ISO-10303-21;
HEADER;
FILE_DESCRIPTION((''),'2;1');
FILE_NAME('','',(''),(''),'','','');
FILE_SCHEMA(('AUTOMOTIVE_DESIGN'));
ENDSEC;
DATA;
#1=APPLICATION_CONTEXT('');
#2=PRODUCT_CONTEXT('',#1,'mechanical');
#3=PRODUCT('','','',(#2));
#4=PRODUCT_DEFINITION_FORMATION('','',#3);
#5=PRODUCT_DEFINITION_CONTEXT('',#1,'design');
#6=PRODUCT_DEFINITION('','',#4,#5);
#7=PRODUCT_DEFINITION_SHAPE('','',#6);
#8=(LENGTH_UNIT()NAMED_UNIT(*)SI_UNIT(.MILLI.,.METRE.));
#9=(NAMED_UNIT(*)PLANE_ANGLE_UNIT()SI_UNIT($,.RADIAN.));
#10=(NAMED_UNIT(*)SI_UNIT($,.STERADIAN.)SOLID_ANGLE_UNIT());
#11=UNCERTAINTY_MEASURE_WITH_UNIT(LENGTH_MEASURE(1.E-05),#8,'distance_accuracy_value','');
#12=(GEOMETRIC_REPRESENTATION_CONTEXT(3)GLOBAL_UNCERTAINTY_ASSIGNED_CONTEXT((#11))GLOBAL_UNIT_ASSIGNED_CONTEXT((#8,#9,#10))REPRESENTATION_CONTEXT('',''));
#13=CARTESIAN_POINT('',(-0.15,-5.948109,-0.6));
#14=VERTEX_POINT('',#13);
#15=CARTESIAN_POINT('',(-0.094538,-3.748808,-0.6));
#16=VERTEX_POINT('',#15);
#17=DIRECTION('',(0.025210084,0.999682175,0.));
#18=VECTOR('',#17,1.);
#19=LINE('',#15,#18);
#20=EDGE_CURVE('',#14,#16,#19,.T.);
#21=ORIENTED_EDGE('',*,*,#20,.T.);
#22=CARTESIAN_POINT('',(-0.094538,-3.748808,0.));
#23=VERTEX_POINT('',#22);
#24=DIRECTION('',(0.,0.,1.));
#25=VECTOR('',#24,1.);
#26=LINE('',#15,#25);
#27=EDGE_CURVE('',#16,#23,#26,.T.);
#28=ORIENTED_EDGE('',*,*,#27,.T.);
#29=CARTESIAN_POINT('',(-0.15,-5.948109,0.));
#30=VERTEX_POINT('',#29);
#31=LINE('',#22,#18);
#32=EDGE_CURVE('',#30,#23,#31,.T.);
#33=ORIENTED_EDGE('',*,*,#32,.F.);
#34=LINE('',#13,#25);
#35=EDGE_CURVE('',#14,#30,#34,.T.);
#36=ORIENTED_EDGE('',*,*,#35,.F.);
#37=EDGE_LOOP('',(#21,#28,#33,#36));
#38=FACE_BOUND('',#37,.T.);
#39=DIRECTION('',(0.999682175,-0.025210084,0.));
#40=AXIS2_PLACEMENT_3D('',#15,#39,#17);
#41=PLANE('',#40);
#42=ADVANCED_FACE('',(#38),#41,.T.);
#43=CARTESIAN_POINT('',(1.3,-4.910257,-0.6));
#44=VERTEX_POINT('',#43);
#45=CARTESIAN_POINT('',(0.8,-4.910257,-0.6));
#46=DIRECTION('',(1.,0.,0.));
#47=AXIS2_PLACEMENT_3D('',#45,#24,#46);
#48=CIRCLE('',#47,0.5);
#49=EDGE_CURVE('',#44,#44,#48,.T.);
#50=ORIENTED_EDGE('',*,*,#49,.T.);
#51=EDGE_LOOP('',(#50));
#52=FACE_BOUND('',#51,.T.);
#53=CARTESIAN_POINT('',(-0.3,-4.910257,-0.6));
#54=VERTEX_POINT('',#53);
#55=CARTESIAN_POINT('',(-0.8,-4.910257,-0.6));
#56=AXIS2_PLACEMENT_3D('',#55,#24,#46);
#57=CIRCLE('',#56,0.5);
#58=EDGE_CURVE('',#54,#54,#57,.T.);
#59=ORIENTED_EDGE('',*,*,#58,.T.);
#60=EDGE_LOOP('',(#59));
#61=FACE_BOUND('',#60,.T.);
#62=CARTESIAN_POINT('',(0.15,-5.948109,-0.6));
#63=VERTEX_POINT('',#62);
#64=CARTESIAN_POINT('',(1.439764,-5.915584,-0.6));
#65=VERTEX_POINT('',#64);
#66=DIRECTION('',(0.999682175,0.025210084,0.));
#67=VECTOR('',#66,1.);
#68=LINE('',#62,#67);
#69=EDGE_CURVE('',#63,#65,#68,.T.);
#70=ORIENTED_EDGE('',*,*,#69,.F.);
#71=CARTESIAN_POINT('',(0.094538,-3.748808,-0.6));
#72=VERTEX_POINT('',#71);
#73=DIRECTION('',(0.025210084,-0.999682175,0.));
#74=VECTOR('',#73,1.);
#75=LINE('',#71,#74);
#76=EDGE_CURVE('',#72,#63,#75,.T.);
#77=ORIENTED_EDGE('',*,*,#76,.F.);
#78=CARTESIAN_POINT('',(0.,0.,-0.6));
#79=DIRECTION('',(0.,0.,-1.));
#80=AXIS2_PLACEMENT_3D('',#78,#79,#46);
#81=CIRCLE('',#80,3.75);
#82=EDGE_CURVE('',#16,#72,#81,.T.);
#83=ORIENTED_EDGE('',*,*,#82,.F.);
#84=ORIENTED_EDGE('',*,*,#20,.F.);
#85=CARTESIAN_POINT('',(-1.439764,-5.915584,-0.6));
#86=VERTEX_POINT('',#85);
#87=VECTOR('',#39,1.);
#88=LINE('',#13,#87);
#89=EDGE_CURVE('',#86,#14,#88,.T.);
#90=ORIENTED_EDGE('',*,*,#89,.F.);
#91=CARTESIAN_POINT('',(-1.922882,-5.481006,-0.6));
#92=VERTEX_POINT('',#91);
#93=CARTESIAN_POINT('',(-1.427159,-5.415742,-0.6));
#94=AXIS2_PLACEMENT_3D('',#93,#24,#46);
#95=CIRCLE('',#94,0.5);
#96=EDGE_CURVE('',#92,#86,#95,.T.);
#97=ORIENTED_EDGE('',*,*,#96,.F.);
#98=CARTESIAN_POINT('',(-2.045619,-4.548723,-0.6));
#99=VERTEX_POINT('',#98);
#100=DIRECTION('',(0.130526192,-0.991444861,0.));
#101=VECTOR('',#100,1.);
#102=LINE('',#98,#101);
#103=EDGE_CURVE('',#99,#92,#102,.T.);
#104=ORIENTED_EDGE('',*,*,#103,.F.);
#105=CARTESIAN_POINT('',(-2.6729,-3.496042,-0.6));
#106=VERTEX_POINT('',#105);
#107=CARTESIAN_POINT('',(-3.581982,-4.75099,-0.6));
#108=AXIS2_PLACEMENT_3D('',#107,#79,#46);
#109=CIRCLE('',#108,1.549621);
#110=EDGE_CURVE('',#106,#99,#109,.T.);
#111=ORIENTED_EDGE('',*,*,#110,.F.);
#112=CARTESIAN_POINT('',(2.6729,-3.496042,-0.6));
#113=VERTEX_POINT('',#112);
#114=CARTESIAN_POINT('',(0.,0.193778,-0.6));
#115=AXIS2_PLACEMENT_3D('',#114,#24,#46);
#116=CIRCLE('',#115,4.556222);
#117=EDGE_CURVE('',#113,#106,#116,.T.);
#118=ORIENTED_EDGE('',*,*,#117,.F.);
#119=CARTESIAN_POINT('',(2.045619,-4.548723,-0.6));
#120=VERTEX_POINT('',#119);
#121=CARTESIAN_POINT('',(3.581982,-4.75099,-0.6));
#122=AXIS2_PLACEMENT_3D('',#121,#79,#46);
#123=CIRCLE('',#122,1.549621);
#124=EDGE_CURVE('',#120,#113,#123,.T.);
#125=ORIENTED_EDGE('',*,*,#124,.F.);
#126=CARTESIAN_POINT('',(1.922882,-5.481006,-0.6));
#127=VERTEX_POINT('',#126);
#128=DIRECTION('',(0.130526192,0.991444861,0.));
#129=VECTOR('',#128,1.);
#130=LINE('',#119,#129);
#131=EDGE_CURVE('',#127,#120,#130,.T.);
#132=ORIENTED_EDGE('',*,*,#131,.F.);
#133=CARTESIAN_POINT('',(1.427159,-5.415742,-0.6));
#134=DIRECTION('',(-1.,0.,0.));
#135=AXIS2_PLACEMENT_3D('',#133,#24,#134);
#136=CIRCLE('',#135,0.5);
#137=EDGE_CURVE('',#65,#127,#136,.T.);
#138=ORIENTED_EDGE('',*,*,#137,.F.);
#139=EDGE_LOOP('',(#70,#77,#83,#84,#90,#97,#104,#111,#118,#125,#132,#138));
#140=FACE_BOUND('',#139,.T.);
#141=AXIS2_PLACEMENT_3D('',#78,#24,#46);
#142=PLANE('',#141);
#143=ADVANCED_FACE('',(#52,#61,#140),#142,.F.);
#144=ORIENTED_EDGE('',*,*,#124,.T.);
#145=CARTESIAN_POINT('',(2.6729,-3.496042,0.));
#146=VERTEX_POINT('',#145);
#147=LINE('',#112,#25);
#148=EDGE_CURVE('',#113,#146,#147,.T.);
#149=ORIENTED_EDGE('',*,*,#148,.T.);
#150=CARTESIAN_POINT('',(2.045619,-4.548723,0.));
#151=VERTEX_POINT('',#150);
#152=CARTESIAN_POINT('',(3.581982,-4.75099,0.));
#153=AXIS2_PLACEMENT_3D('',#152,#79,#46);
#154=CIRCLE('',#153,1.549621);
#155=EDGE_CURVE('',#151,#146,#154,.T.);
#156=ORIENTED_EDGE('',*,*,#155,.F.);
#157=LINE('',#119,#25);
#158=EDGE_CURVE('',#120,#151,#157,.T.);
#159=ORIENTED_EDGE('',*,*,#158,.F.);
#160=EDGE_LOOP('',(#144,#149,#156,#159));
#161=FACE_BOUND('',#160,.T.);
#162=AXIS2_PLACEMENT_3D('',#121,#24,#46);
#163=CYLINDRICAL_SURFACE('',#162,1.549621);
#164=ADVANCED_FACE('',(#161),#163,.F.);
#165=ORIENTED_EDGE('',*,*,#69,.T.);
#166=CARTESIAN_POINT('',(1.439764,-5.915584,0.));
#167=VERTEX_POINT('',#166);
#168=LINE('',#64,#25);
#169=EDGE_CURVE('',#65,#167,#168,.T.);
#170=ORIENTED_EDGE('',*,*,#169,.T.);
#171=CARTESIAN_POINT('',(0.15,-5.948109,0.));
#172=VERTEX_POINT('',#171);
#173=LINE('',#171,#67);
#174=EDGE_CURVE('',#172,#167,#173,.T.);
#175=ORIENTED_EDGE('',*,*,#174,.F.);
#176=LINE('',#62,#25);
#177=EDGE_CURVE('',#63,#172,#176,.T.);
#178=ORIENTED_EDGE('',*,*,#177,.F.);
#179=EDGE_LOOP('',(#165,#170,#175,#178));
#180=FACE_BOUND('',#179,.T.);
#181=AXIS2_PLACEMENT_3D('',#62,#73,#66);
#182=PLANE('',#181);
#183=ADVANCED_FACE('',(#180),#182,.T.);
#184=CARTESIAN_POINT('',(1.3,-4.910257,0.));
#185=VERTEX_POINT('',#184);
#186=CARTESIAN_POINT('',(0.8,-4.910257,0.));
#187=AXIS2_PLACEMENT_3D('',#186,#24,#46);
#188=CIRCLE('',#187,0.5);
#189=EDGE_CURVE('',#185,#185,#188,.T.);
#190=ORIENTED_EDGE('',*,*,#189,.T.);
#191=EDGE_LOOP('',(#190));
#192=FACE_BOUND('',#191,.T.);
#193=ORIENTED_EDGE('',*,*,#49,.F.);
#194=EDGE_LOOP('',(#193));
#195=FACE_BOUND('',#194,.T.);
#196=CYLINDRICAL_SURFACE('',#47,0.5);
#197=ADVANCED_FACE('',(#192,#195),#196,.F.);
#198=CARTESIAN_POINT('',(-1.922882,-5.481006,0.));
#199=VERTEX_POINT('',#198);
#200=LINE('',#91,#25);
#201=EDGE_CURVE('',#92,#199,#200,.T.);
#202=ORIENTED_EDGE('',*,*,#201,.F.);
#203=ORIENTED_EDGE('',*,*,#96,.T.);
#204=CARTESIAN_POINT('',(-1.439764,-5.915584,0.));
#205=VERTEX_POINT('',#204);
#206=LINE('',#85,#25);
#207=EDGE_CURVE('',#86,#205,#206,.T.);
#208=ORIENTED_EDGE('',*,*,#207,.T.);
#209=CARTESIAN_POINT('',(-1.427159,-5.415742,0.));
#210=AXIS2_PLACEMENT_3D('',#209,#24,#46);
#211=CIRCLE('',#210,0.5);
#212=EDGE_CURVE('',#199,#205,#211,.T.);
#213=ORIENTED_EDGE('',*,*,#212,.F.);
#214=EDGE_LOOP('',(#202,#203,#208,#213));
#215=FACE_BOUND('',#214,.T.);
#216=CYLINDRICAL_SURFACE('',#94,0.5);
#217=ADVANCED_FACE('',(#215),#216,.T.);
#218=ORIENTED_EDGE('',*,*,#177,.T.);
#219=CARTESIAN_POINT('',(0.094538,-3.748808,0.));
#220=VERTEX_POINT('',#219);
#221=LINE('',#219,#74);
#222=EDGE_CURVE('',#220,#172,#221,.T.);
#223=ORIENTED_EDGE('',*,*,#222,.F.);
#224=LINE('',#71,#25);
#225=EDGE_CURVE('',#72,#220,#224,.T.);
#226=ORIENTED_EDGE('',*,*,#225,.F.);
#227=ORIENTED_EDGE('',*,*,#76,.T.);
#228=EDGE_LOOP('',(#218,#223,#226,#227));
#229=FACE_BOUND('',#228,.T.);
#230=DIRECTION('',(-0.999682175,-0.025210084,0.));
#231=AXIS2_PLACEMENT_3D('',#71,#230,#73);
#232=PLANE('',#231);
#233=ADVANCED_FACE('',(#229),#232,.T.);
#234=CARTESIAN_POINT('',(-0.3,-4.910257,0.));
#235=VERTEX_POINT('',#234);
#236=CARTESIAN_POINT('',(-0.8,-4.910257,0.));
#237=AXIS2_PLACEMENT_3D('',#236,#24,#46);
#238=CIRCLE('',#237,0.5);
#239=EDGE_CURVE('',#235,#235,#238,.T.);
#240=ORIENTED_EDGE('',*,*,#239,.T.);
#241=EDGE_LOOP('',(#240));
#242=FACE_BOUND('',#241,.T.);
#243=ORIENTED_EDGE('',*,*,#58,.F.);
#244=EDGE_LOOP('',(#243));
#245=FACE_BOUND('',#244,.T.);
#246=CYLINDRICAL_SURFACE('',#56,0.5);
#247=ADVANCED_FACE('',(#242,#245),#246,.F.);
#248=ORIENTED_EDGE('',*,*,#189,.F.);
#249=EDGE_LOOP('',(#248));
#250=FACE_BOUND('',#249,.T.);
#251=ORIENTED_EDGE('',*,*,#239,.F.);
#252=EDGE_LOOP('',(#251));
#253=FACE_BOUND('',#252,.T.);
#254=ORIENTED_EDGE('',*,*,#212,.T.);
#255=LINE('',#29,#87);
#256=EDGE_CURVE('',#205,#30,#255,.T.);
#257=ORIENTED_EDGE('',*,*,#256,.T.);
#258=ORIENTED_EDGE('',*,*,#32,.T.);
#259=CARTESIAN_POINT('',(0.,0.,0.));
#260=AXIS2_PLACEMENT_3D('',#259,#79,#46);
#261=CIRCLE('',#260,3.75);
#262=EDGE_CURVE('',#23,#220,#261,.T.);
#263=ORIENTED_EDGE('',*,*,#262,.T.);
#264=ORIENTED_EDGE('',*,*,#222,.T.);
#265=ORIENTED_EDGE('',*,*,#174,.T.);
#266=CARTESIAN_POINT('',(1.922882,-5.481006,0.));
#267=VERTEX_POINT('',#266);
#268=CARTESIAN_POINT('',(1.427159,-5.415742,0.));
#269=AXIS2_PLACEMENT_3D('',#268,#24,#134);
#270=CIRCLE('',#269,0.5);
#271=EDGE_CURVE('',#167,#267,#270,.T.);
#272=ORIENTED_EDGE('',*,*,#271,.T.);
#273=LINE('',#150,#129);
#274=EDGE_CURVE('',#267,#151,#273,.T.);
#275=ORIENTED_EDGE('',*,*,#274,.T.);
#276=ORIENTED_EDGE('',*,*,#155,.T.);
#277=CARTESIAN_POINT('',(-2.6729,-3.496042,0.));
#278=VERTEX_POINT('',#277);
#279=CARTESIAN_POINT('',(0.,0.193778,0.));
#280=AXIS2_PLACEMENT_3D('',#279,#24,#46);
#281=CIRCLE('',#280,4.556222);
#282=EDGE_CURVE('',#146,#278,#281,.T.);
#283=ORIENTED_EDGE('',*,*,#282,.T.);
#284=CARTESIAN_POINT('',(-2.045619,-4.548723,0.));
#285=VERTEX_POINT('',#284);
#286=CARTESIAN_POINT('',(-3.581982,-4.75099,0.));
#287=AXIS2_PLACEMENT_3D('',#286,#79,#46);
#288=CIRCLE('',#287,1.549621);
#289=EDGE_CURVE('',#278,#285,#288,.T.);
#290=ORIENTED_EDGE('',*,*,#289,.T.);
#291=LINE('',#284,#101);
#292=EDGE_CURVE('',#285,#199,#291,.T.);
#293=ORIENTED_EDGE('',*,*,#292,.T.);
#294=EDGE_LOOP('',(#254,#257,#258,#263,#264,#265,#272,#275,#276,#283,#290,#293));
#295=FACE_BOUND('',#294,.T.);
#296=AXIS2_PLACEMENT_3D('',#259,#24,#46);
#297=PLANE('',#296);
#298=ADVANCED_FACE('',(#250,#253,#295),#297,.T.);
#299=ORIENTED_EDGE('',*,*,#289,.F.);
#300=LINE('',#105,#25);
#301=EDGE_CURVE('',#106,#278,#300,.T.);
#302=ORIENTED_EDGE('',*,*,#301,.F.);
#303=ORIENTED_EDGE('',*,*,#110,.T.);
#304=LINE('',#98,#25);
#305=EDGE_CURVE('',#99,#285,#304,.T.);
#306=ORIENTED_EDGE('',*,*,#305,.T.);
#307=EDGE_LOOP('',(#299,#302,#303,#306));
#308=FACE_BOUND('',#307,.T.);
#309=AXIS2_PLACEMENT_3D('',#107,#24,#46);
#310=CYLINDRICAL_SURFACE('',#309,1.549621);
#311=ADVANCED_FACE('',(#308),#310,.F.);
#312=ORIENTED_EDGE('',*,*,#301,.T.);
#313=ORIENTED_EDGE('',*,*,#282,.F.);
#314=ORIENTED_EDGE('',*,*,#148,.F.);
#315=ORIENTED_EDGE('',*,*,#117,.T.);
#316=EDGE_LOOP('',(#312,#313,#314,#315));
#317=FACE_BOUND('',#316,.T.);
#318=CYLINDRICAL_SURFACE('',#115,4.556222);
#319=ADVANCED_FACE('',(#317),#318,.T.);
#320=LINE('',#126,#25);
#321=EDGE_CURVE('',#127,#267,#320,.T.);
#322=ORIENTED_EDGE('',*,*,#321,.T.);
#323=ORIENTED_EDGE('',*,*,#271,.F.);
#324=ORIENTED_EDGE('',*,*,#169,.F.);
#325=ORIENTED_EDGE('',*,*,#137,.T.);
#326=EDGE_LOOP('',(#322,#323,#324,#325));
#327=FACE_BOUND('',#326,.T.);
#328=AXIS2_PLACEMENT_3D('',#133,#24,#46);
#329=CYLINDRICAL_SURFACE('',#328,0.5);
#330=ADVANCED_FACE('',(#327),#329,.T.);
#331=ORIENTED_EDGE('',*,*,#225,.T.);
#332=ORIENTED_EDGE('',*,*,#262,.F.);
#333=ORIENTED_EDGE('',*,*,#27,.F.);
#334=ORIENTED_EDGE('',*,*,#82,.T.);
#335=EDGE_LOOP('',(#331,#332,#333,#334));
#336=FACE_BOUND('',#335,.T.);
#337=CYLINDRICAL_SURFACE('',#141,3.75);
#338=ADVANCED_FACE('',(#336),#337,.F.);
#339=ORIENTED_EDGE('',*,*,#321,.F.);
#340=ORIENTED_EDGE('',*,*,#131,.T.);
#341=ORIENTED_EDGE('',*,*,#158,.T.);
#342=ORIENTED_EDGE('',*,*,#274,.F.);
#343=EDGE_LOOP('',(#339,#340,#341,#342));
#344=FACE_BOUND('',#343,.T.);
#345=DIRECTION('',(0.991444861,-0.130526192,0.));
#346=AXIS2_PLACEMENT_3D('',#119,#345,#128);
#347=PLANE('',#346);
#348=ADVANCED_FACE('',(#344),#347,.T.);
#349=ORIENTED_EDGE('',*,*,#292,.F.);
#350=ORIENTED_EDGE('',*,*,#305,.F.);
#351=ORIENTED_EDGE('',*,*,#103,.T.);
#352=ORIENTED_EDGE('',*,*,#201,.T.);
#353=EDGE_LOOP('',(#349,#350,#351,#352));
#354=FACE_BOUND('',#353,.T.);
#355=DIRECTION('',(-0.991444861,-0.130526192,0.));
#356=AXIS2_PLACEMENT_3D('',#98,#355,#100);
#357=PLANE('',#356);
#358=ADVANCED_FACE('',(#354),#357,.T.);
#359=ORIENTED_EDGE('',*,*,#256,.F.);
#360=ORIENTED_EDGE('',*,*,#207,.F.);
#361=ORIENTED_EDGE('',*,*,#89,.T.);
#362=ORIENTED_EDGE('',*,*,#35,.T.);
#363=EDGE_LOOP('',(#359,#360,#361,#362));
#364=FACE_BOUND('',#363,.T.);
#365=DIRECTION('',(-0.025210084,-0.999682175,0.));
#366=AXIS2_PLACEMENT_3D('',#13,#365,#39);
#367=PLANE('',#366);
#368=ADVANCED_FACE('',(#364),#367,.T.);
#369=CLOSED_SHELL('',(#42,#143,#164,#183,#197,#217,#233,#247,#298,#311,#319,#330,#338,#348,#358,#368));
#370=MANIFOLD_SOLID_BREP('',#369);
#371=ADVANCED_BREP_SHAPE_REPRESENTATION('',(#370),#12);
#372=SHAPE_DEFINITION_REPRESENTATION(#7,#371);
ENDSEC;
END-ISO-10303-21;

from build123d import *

# Parameters (mm, degrees)
BODYSKE_R  = 0.5
BODY_DEPTH = 0.6


with BuildPart() as part:
    # BodySke → Body (new body)
    with BuildSketch(Plane.XY):
        with BuildLine():
            Line((0.094537815, -3.748808157), (0.15, -5.948108943))
            Line((0.15, -5.948108943), (1.439764164, -5.915583543))
            ThreePointArc((1.439764164, -5.915583543), (1.761544697, -5.787476618), (1.922881553, -5.481005551))
            Line((1.922881553, -5.481005551), (2.045618819, -4.548723459))
            ThreePointArc((2.045618819, -4.548723459), (2.25078514, -3.957744017), (2.672900027, -3.496041794))
            ThreePointArc((2.672900027, -3.496041794), (0, 4.75), (-2.672900027, -3.496041794))
            ThreePointArc((-2.672900027, -3.496041794), (-2.25078514, -3.957744017), (-2.045618819, -4.548723459))
            Line((-2.045618819, -4.548723459), (-1.922881553, -5.481005551))
            ThreePointArc((-1.922881553, -5.481005551), (-1.761544697, -5.787476618), (-1.439764164, -5.915583543))
            Line((-1.439764164, -5.915583543), (-0.15, -5.948108943))
            Line((-0.15, -5.948108943), (-0.094537815, -3.748808157))
            ThreePointArc((-0.094537815, -3.748808157), (0, 3.75), (0.094537815, -3.748808157))
        make_face()
        with Locations((0.8, -4.910257122)):
            Circle(BODYSKE_R, mode=Mode.SUBTRACT)
        with Locations((-0.8, -4.910257122)):
            Circle(BODYSKE_R, mode=Mode.SUBTRACT)
    extrude(amount=-BODY_DEPTH)


solid = part.part
